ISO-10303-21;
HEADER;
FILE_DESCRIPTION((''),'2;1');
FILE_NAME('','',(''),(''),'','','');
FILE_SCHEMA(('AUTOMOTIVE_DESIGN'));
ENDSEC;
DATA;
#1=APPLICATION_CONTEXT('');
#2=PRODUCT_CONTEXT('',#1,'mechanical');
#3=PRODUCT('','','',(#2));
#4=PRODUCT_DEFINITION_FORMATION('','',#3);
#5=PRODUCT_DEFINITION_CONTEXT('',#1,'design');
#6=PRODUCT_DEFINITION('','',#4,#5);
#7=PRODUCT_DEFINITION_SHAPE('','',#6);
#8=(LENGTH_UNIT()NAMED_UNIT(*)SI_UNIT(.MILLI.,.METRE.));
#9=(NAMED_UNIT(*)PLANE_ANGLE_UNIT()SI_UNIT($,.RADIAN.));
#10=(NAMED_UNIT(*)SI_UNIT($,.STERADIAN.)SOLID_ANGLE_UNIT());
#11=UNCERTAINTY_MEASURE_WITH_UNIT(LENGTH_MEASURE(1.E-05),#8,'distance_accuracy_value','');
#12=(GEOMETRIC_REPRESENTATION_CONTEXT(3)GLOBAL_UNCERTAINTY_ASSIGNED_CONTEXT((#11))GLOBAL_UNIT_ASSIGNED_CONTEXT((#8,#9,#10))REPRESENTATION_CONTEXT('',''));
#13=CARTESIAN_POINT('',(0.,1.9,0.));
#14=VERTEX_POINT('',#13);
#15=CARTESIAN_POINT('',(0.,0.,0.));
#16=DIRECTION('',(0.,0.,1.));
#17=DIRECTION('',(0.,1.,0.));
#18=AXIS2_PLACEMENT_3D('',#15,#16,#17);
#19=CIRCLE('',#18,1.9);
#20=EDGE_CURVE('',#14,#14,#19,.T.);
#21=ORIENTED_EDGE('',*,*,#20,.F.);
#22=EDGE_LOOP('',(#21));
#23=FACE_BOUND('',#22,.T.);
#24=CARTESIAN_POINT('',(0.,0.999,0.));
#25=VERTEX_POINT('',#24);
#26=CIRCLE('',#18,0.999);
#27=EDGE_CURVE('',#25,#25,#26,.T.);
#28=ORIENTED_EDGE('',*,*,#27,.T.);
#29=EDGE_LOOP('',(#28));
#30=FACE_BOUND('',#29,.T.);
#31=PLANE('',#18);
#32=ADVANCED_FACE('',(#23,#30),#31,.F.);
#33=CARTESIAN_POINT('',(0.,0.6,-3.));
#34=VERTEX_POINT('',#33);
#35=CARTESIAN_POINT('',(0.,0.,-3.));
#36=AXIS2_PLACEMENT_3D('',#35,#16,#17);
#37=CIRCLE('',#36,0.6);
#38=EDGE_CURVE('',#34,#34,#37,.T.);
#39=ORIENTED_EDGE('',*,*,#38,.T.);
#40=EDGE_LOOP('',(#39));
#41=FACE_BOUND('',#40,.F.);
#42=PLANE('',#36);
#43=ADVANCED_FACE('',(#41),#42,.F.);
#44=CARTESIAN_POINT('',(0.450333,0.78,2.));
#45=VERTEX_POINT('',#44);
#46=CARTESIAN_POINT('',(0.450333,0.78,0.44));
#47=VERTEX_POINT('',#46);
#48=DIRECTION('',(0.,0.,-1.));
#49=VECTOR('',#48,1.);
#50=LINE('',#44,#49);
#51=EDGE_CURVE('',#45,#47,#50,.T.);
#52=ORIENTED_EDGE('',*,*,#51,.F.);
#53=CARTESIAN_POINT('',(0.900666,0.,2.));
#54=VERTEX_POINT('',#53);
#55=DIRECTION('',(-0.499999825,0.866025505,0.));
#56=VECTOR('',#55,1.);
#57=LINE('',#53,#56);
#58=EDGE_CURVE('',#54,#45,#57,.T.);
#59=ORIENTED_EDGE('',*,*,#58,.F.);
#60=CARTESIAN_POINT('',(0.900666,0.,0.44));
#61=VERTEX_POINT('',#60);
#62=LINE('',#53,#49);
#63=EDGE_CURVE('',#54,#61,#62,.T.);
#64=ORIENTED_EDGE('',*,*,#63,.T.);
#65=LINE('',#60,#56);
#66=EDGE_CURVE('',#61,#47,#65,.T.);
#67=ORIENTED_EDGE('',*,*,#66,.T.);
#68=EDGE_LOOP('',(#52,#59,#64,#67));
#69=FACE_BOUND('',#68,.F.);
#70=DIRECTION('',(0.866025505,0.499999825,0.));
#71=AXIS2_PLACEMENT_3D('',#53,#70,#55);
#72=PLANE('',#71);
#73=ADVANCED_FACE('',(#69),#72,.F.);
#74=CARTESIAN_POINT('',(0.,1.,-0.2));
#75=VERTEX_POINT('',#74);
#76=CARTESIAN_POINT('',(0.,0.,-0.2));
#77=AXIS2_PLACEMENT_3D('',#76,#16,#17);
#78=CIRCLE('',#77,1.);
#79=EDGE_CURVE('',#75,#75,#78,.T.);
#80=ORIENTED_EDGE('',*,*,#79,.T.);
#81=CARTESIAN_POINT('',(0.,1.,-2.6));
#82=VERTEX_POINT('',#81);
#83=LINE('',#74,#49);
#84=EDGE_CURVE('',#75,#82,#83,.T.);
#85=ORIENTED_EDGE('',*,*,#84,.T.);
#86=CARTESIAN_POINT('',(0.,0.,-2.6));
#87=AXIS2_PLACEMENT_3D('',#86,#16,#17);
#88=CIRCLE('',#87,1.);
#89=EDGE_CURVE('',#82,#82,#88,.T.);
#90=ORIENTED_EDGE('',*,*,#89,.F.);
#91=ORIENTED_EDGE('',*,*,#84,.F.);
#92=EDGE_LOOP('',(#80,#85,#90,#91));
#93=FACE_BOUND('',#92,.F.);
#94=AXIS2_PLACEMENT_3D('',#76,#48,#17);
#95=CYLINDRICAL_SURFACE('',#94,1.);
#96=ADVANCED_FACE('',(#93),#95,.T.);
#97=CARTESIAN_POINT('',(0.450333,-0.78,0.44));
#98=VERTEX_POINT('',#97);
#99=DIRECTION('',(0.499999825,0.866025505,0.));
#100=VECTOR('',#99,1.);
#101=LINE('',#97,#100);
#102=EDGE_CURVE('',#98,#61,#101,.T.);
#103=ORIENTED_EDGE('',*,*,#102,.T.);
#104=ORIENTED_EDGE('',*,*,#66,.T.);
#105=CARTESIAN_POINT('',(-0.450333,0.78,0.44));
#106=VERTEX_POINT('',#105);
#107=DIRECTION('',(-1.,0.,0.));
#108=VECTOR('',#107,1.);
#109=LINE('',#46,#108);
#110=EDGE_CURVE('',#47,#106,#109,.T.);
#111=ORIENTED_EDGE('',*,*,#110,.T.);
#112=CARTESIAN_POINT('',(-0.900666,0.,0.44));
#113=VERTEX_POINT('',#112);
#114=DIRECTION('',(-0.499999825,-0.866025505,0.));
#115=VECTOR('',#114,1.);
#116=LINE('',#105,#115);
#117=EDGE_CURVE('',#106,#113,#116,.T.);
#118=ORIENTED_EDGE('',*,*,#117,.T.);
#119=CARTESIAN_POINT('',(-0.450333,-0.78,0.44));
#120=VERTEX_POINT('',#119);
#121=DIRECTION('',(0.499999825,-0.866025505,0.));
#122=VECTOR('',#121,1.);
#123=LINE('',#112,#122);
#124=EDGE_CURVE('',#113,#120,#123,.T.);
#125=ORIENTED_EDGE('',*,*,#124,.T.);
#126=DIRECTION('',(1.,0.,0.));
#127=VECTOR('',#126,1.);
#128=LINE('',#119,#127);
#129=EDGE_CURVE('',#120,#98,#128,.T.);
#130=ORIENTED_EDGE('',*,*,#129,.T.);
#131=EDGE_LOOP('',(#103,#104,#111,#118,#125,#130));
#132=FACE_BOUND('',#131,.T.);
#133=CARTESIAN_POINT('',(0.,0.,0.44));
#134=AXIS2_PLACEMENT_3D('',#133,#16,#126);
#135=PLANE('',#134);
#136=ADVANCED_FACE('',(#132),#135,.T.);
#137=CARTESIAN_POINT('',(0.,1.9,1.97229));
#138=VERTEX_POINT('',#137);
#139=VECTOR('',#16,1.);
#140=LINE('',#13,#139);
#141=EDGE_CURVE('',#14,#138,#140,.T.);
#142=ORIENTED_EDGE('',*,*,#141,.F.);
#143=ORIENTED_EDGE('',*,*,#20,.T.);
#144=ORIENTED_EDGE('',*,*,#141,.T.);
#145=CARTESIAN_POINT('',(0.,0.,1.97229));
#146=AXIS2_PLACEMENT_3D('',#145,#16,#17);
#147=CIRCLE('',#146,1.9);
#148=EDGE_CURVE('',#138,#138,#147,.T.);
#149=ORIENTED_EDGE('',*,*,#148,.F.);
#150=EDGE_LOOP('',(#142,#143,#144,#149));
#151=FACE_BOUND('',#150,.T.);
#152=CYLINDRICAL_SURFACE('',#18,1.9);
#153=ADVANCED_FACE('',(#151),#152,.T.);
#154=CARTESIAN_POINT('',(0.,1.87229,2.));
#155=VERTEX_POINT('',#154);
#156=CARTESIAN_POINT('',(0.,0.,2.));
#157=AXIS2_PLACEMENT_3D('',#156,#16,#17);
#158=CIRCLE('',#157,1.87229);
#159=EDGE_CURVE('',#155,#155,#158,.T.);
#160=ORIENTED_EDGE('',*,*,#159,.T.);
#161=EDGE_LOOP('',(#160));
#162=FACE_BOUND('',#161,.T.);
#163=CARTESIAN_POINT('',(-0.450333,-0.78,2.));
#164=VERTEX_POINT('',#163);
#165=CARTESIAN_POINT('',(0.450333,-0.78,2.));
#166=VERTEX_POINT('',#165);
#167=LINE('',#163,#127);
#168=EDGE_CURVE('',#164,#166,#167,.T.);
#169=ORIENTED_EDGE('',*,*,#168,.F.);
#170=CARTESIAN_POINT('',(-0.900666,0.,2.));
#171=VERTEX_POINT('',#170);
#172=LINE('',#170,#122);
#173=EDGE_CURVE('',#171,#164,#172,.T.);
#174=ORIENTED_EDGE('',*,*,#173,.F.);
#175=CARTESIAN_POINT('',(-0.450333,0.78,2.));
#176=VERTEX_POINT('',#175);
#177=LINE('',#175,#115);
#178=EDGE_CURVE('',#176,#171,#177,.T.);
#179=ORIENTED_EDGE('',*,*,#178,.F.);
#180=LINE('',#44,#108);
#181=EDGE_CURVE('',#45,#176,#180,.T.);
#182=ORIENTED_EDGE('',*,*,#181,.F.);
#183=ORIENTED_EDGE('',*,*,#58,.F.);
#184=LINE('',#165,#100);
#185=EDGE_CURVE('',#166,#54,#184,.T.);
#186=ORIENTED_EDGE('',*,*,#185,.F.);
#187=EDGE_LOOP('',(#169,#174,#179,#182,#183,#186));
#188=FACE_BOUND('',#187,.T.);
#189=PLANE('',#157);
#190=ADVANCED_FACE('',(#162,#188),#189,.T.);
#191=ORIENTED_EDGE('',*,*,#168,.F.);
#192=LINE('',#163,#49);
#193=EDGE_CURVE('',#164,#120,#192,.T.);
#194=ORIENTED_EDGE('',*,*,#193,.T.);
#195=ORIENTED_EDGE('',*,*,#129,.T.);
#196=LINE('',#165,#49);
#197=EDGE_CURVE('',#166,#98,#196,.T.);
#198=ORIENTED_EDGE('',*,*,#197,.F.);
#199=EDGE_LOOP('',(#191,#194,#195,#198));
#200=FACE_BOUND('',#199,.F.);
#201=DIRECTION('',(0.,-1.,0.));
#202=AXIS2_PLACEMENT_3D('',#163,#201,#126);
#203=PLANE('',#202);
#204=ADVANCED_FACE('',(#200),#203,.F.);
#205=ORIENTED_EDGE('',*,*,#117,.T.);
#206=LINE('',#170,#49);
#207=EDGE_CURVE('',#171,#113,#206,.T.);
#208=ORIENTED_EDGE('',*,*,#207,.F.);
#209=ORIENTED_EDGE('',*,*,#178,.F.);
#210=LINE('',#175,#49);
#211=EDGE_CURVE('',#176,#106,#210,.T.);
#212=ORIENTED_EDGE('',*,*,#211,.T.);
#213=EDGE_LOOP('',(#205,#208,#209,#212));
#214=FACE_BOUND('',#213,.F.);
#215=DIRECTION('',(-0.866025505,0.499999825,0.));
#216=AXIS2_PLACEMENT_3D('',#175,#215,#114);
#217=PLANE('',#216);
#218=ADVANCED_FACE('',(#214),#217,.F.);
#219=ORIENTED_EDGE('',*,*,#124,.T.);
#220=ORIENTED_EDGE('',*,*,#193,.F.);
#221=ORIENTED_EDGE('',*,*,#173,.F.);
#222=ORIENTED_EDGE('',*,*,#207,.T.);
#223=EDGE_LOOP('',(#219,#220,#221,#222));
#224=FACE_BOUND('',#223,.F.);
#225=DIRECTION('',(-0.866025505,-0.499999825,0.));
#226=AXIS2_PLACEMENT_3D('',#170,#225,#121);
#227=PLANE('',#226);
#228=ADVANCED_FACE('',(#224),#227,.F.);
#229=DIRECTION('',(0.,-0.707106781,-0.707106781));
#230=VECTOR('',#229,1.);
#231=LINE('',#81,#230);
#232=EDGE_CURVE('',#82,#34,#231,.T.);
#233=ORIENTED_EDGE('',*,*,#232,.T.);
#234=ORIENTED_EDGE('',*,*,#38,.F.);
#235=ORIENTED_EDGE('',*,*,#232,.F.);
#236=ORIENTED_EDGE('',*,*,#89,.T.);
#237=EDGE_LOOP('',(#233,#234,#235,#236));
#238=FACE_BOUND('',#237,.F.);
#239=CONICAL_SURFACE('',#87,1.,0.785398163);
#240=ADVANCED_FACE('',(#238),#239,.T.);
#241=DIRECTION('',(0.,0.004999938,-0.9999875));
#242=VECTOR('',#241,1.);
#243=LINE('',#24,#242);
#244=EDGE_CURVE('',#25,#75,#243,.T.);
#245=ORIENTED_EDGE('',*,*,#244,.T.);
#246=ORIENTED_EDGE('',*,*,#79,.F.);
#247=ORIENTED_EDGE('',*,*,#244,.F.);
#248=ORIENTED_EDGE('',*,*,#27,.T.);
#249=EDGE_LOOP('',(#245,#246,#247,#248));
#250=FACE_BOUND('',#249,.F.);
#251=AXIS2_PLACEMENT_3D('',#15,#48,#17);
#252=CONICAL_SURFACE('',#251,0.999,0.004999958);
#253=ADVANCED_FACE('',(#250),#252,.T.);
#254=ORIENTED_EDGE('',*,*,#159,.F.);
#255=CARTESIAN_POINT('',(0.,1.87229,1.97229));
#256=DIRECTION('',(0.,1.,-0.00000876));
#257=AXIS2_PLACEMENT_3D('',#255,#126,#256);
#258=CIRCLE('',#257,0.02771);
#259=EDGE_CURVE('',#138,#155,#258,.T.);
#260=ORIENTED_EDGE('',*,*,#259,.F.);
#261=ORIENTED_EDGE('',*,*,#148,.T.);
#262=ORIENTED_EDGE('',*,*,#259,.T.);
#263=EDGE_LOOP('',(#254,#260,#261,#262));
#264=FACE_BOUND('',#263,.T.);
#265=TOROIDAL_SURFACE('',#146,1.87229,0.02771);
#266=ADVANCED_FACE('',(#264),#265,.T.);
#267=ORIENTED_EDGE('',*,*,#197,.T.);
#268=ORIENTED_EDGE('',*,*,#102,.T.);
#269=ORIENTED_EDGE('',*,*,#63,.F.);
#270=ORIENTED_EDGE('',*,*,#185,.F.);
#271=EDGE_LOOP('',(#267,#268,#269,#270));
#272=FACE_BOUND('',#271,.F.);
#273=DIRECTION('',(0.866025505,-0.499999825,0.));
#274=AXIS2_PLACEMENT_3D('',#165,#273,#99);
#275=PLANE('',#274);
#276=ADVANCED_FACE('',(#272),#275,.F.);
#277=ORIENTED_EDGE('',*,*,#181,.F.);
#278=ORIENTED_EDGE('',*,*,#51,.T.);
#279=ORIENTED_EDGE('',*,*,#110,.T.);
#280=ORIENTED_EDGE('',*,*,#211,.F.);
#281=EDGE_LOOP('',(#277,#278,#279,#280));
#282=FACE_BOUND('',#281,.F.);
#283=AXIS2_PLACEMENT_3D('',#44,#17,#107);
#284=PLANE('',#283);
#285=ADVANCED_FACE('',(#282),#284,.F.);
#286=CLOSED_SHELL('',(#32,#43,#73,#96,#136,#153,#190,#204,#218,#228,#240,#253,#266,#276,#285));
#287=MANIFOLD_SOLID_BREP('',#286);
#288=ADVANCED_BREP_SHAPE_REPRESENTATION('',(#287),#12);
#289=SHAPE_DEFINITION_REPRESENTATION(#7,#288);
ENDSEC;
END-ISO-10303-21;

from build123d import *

# Parameters (mm, degrees)
POCKET_DEPTH = 1.56


with BuildPart() as part:
    # Sketch → Revolve (revolve)
    with BuildSketch(Plane.YZ):
        with BuildLine():
            Line((0.999, 0), (1.9, 0))
            Line((1.9, 0), (1.9, 1.97229))
            ThreePointArc((1.9, 1.97229), (1.891884, 1.991884), (1.87229, 2))
            Line((1.87229, 2), (0, 2))
            Line((0, -3), (0, 2))
            Line((0.6, -3), (0, -3))
            Line((1, -2.6), (0.6, -3))
            Line((1, -0.2), (1, -2.6))
            Line((0.999, 0), (1, -0.2))
        make_face()
    revolve(axis=Axis((0, 0, 0), (0, 0, 1)))

    # Sketch001 → Pocket (cut)
    with BuildSketch(Plane.XY.offset(2)):
        Polygon((0.900666, 0), (0.450333, 0.78), (-0.450333, 0.78), (-0.900666, 0), (-0.450333, -0.78), (0.450333, -0.78), align=None)
    extrude(amount=-POCKET_DEPTH, mode=Mode.SUBTRACT)


solid = part.part
